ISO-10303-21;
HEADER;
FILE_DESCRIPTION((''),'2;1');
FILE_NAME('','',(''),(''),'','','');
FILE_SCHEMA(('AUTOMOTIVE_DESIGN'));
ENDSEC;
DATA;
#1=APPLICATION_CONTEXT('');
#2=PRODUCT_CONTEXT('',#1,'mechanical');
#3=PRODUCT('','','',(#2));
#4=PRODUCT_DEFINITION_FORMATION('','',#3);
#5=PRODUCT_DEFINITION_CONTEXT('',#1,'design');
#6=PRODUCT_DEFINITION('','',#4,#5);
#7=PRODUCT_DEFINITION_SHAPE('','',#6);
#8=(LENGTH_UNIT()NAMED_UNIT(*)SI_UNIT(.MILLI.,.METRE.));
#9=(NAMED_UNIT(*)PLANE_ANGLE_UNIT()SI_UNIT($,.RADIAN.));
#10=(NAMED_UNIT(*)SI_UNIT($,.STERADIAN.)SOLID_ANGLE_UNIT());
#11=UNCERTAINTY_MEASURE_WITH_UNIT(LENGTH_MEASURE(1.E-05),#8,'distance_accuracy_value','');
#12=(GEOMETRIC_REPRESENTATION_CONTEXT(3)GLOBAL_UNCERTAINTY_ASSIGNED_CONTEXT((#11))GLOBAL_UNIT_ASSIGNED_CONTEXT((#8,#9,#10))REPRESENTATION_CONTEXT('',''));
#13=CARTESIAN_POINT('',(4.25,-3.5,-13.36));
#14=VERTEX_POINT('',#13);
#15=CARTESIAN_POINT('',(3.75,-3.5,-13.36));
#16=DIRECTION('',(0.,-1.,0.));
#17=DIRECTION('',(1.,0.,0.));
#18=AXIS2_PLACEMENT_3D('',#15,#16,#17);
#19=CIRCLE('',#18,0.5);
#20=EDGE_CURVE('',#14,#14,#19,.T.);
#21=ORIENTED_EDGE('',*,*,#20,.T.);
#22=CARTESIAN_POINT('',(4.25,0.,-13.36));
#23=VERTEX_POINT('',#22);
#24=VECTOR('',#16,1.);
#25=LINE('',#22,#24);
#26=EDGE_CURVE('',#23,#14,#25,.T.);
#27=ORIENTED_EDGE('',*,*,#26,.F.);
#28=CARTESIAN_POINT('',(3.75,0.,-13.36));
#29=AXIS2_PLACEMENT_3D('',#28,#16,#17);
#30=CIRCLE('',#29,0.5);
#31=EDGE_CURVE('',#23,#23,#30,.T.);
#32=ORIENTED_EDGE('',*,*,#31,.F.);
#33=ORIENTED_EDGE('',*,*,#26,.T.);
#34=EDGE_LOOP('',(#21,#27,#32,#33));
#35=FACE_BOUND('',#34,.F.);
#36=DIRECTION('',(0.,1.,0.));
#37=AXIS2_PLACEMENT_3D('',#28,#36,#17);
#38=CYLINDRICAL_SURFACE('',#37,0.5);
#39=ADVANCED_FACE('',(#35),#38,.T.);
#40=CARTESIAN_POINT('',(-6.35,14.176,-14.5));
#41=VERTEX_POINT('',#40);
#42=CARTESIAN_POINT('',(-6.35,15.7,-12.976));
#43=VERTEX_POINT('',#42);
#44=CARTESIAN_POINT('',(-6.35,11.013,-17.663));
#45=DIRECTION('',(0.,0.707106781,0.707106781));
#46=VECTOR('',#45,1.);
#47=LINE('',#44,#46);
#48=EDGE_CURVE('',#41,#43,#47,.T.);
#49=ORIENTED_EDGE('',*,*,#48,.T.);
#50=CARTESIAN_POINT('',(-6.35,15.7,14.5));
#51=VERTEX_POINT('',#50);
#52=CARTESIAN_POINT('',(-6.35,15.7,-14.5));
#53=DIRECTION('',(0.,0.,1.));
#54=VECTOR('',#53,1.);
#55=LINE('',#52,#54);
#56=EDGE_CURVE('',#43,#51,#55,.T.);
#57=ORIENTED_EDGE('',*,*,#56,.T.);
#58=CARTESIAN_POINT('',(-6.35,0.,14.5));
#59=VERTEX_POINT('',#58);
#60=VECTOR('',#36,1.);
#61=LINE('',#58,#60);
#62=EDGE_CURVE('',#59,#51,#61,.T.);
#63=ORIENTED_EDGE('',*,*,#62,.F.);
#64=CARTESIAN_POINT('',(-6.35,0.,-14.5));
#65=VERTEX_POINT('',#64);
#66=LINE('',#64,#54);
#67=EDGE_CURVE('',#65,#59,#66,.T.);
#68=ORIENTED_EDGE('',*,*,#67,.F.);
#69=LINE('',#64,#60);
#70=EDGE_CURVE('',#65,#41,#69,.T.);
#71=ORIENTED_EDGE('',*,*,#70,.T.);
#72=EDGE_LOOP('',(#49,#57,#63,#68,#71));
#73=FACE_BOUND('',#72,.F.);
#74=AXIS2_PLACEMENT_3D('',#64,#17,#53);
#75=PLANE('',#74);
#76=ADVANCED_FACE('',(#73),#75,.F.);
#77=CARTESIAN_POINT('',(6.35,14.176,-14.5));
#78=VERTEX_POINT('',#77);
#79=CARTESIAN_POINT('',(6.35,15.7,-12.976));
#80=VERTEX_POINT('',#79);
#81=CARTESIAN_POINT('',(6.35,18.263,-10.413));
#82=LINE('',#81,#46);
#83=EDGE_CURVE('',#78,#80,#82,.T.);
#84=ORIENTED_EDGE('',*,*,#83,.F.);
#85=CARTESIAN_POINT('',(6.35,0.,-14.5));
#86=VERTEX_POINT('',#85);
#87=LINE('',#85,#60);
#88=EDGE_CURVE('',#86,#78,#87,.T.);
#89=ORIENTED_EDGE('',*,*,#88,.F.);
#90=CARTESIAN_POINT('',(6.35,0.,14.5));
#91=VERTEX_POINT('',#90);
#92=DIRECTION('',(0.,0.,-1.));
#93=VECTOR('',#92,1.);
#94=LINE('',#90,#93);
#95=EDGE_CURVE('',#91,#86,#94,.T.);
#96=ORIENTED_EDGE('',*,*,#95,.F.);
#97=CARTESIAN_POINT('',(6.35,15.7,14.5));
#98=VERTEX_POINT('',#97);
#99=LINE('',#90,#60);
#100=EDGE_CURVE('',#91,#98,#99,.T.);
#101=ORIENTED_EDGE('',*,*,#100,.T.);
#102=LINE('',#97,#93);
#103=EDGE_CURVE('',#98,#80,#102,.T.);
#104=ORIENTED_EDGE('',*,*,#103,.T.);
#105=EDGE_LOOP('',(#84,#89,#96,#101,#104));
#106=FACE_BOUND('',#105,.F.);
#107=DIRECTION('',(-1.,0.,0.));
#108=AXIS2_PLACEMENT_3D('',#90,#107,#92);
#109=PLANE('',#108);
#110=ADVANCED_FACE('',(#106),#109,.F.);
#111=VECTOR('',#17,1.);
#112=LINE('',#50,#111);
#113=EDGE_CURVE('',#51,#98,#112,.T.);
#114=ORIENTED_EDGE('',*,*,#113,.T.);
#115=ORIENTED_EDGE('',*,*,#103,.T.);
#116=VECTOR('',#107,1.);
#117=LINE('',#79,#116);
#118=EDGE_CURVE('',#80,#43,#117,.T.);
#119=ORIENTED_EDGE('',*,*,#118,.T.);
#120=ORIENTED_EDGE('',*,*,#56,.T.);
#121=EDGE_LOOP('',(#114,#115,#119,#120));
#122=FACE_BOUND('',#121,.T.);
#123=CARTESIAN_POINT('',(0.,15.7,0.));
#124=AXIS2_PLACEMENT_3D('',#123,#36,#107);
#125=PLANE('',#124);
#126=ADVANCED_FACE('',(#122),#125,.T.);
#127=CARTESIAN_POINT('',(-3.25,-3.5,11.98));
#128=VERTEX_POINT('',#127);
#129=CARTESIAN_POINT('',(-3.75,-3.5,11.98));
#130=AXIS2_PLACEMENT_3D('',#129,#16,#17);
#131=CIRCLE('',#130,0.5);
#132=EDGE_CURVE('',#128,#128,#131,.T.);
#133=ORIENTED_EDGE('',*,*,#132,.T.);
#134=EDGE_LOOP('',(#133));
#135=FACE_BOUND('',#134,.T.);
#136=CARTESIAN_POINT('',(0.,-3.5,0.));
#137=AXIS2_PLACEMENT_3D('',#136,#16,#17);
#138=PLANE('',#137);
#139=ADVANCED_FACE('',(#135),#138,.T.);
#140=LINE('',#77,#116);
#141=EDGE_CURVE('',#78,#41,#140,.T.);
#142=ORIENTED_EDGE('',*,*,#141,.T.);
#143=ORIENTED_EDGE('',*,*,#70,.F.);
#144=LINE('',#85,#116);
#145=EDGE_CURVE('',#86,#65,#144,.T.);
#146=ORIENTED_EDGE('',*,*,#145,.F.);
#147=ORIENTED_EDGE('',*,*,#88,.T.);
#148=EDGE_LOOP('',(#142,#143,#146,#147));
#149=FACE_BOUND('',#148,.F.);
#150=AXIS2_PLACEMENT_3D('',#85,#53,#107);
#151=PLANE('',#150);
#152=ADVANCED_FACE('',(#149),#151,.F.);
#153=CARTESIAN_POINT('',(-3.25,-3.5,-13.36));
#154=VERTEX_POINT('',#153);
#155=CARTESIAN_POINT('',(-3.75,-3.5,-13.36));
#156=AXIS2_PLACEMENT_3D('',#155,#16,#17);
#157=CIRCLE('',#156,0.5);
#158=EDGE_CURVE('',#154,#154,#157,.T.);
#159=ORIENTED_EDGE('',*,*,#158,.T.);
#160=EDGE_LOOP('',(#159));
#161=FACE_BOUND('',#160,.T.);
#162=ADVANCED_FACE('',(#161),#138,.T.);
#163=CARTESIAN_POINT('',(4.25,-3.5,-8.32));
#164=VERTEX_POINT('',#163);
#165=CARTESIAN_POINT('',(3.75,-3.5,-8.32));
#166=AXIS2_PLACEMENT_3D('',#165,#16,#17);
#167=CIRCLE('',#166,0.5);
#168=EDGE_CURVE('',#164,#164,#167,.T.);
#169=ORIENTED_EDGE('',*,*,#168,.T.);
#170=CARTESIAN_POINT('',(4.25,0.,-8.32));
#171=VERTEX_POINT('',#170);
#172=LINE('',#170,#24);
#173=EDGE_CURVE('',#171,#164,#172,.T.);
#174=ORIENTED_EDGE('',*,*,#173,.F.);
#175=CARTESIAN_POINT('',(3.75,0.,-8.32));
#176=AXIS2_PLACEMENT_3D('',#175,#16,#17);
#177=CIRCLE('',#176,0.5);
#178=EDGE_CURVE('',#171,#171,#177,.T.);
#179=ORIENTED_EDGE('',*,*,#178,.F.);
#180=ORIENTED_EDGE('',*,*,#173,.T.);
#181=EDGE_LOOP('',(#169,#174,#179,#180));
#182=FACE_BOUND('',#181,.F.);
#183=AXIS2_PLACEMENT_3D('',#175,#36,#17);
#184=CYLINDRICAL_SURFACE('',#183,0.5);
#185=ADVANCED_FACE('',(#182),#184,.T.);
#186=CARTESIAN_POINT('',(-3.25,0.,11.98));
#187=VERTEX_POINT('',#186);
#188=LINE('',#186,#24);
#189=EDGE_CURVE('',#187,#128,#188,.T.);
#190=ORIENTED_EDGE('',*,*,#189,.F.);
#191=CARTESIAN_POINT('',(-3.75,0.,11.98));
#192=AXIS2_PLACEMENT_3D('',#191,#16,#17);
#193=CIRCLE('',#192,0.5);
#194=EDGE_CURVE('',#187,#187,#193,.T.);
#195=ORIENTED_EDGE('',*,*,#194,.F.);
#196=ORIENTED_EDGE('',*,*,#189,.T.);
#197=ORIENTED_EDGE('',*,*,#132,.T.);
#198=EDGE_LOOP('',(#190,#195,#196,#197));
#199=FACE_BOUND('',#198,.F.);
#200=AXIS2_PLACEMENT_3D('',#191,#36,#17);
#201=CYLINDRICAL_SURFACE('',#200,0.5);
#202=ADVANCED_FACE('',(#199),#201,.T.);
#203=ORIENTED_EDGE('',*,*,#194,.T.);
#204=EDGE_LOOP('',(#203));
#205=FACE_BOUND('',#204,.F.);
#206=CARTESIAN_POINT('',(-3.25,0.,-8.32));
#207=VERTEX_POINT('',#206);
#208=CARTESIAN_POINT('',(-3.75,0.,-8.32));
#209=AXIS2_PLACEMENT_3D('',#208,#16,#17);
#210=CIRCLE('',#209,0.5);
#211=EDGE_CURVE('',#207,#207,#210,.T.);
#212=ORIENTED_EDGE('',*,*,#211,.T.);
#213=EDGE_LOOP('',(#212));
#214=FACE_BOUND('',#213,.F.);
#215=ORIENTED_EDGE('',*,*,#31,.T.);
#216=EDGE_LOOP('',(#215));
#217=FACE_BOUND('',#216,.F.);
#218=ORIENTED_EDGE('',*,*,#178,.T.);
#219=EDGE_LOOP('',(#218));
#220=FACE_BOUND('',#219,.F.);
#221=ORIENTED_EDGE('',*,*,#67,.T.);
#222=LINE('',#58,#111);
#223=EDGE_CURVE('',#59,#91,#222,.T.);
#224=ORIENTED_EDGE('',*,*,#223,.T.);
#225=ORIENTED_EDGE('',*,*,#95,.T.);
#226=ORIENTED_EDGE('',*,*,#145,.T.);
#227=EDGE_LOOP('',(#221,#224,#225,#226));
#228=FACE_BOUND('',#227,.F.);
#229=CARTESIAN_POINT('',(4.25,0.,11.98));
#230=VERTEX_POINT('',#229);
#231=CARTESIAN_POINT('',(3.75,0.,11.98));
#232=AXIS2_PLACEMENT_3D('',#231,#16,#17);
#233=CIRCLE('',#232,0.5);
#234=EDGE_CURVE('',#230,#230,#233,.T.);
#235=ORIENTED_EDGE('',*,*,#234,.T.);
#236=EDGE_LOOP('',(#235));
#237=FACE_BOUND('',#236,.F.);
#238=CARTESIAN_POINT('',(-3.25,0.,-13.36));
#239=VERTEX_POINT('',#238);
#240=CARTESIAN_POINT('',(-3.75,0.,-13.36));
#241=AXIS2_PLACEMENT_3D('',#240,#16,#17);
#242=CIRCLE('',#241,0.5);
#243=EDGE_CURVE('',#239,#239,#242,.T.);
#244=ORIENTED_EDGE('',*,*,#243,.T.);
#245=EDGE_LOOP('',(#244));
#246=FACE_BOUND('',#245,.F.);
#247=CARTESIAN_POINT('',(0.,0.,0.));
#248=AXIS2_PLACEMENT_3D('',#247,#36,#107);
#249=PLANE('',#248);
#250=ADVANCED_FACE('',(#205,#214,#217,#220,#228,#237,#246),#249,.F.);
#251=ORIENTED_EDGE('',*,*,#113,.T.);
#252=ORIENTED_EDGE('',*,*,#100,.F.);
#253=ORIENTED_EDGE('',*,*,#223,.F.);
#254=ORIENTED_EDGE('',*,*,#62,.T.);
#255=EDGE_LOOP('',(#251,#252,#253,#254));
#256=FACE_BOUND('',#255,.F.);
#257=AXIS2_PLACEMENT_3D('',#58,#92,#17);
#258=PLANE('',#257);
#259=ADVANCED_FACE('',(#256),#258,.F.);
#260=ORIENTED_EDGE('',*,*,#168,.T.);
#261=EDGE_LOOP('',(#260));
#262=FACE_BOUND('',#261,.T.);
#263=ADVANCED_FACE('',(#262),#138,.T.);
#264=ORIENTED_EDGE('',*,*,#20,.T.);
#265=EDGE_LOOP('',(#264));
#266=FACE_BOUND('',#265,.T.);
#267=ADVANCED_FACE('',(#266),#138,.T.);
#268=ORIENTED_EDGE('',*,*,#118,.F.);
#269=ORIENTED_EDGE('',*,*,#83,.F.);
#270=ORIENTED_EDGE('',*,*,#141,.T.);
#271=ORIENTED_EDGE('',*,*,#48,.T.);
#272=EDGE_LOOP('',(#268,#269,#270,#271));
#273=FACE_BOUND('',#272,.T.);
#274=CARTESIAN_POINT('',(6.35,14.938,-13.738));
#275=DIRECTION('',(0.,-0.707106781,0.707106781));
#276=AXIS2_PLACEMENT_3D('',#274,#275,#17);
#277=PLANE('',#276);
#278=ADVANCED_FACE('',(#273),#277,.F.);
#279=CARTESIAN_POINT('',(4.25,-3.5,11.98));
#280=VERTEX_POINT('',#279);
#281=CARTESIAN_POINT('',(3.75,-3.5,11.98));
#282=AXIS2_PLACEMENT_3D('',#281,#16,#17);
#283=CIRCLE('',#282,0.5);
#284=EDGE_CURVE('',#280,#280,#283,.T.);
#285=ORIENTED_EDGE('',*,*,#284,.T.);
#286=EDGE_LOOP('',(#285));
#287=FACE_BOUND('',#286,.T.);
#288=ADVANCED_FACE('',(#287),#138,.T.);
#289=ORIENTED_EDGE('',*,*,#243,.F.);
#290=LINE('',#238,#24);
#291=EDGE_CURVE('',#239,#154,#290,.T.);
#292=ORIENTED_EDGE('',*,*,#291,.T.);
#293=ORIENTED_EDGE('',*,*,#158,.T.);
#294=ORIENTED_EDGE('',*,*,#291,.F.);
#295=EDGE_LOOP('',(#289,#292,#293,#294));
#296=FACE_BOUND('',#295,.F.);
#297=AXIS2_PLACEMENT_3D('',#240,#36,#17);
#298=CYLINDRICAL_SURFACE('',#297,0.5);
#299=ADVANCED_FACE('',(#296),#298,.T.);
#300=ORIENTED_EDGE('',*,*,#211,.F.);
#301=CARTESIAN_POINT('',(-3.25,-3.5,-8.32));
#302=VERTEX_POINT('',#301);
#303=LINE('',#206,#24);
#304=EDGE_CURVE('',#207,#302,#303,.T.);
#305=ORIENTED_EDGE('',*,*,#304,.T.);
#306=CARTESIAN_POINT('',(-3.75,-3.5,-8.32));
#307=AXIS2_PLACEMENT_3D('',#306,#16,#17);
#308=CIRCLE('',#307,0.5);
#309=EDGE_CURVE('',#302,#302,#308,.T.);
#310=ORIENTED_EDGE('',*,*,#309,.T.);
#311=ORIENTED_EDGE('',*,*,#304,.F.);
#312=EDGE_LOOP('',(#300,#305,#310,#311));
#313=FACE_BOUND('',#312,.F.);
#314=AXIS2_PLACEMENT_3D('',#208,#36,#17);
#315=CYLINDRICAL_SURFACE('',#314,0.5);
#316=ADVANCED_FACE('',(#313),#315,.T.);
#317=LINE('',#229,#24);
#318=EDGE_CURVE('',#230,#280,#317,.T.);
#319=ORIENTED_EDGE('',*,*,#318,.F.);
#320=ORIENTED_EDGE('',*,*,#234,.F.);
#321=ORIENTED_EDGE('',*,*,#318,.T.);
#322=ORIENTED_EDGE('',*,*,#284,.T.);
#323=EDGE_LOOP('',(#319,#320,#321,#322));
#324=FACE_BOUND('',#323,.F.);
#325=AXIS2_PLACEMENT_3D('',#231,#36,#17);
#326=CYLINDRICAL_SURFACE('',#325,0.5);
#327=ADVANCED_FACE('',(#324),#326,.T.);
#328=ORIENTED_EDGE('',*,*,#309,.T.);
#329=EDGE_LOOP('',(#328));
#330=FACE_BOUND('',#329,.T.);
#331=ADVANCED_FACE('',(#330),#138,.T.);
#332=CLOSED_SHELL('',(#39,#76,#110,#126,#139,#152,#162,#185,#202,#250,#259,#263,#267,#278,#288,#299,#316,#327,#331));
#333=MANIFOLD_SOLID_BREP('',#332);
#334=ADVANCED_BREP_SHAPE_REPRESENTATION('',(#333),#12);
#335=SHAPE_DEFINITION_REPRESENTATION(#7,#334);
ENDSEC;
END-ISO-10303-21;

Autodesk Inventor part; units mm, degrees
ref_plane "YZ Plane" through (0, 0, 0) normal (1, 0, 0) x (0, 1, 0)
ref_plane "XZ Plane" through (0, 0, 0) normal (0, 1, 0) x (-1, 0, 0)
ref_plane "XY Plane" through (0, 0, 0) normal (0, 0, 1) x (1, 0, 0)
sketch "Sketch1" plane through (0, 0, 0) normal (0, 1, 0) x (-1, 0, 0)
  line L0 (6.35, 14.5) -> (-6.35, 14.5)
  line L1 (-6.35, 14.5) -> (-6.35, -14.5)
  line L2 (-6.35, -14.5) -> (6.35, -14.5)
  line L3 (6.35, -14.5) -> (6.35, 14.5)
  point P0 (0, 0)
  dimension "d0" = 29
  dimension "d1" = 12.7
  dimension "d2" = 6.35
  dimension "d3" = 14.5
extrude "Extrusion1" add sketch "Sketch1" along normal blind 15.7
sketch "Sketch2" plane through (0, 0, 0) normal (0, -1, 0) x (1, 0, 0)
  line L0 (-6.35, 14.5) -> (6.35, 14.5) projected
  line L1 (-6.35, -14.5) -> (-6.35, 14.5) projected
  line L2 (6.35, -14.5) -> (-6.35, -14.5) projected
  line L3 (6.35, 14.5) -> (6.35, -14.5) projected
  circle A0 centre (3.75, -13.36) radius 0.5
  circle A1 centre (-3.75, -8.32) radius 0.5
  circle A2 centre (3.75, -8.32) radius 0.5
  circle A3 centre (-3.75, -13.36) radius 0.5
  circle A4 centre (3.75, 11.98) radius 0.5
  circle A5 centre (-3.75, 11.98) radius 0.5
  point P0 (0, 0)
  dimension "d9" = 1
  dimension "d10" = 1
  dimension "d11" = 1
  dimension "d12" = 1
  dimension "d15" = 5.04
  dimension "d17" = 7.5
  dimension "d18" = 3.75
  dimension "d19" = 1
  dimension "d20" = 1
  dimension "d22" = 20.3
  dimension "d28" = 2.52
extrude "Extrusion2" add sketch "Sketch2" along normal blind 3.5 contours A0 | A1 | A2 | A3 | A4 | A5
chamfer "Chamfer2" distance 1.524 angle 45 1 edges at (0, 15.7, -14.5)
equation "\"d2\" = 0.5 * d1"
equation "\"d3\" = 0.5 * d0"
equation "\"d10\" = d9"
equation "\"d11\" = d9"
equation "\"d12\" = d9"
equation "\"d18\" = 0.5 * d17"
equation "\"d19\" = d9"
equation "\"d20\" = d9"
properties part number "RZ03-1A4-D005"
